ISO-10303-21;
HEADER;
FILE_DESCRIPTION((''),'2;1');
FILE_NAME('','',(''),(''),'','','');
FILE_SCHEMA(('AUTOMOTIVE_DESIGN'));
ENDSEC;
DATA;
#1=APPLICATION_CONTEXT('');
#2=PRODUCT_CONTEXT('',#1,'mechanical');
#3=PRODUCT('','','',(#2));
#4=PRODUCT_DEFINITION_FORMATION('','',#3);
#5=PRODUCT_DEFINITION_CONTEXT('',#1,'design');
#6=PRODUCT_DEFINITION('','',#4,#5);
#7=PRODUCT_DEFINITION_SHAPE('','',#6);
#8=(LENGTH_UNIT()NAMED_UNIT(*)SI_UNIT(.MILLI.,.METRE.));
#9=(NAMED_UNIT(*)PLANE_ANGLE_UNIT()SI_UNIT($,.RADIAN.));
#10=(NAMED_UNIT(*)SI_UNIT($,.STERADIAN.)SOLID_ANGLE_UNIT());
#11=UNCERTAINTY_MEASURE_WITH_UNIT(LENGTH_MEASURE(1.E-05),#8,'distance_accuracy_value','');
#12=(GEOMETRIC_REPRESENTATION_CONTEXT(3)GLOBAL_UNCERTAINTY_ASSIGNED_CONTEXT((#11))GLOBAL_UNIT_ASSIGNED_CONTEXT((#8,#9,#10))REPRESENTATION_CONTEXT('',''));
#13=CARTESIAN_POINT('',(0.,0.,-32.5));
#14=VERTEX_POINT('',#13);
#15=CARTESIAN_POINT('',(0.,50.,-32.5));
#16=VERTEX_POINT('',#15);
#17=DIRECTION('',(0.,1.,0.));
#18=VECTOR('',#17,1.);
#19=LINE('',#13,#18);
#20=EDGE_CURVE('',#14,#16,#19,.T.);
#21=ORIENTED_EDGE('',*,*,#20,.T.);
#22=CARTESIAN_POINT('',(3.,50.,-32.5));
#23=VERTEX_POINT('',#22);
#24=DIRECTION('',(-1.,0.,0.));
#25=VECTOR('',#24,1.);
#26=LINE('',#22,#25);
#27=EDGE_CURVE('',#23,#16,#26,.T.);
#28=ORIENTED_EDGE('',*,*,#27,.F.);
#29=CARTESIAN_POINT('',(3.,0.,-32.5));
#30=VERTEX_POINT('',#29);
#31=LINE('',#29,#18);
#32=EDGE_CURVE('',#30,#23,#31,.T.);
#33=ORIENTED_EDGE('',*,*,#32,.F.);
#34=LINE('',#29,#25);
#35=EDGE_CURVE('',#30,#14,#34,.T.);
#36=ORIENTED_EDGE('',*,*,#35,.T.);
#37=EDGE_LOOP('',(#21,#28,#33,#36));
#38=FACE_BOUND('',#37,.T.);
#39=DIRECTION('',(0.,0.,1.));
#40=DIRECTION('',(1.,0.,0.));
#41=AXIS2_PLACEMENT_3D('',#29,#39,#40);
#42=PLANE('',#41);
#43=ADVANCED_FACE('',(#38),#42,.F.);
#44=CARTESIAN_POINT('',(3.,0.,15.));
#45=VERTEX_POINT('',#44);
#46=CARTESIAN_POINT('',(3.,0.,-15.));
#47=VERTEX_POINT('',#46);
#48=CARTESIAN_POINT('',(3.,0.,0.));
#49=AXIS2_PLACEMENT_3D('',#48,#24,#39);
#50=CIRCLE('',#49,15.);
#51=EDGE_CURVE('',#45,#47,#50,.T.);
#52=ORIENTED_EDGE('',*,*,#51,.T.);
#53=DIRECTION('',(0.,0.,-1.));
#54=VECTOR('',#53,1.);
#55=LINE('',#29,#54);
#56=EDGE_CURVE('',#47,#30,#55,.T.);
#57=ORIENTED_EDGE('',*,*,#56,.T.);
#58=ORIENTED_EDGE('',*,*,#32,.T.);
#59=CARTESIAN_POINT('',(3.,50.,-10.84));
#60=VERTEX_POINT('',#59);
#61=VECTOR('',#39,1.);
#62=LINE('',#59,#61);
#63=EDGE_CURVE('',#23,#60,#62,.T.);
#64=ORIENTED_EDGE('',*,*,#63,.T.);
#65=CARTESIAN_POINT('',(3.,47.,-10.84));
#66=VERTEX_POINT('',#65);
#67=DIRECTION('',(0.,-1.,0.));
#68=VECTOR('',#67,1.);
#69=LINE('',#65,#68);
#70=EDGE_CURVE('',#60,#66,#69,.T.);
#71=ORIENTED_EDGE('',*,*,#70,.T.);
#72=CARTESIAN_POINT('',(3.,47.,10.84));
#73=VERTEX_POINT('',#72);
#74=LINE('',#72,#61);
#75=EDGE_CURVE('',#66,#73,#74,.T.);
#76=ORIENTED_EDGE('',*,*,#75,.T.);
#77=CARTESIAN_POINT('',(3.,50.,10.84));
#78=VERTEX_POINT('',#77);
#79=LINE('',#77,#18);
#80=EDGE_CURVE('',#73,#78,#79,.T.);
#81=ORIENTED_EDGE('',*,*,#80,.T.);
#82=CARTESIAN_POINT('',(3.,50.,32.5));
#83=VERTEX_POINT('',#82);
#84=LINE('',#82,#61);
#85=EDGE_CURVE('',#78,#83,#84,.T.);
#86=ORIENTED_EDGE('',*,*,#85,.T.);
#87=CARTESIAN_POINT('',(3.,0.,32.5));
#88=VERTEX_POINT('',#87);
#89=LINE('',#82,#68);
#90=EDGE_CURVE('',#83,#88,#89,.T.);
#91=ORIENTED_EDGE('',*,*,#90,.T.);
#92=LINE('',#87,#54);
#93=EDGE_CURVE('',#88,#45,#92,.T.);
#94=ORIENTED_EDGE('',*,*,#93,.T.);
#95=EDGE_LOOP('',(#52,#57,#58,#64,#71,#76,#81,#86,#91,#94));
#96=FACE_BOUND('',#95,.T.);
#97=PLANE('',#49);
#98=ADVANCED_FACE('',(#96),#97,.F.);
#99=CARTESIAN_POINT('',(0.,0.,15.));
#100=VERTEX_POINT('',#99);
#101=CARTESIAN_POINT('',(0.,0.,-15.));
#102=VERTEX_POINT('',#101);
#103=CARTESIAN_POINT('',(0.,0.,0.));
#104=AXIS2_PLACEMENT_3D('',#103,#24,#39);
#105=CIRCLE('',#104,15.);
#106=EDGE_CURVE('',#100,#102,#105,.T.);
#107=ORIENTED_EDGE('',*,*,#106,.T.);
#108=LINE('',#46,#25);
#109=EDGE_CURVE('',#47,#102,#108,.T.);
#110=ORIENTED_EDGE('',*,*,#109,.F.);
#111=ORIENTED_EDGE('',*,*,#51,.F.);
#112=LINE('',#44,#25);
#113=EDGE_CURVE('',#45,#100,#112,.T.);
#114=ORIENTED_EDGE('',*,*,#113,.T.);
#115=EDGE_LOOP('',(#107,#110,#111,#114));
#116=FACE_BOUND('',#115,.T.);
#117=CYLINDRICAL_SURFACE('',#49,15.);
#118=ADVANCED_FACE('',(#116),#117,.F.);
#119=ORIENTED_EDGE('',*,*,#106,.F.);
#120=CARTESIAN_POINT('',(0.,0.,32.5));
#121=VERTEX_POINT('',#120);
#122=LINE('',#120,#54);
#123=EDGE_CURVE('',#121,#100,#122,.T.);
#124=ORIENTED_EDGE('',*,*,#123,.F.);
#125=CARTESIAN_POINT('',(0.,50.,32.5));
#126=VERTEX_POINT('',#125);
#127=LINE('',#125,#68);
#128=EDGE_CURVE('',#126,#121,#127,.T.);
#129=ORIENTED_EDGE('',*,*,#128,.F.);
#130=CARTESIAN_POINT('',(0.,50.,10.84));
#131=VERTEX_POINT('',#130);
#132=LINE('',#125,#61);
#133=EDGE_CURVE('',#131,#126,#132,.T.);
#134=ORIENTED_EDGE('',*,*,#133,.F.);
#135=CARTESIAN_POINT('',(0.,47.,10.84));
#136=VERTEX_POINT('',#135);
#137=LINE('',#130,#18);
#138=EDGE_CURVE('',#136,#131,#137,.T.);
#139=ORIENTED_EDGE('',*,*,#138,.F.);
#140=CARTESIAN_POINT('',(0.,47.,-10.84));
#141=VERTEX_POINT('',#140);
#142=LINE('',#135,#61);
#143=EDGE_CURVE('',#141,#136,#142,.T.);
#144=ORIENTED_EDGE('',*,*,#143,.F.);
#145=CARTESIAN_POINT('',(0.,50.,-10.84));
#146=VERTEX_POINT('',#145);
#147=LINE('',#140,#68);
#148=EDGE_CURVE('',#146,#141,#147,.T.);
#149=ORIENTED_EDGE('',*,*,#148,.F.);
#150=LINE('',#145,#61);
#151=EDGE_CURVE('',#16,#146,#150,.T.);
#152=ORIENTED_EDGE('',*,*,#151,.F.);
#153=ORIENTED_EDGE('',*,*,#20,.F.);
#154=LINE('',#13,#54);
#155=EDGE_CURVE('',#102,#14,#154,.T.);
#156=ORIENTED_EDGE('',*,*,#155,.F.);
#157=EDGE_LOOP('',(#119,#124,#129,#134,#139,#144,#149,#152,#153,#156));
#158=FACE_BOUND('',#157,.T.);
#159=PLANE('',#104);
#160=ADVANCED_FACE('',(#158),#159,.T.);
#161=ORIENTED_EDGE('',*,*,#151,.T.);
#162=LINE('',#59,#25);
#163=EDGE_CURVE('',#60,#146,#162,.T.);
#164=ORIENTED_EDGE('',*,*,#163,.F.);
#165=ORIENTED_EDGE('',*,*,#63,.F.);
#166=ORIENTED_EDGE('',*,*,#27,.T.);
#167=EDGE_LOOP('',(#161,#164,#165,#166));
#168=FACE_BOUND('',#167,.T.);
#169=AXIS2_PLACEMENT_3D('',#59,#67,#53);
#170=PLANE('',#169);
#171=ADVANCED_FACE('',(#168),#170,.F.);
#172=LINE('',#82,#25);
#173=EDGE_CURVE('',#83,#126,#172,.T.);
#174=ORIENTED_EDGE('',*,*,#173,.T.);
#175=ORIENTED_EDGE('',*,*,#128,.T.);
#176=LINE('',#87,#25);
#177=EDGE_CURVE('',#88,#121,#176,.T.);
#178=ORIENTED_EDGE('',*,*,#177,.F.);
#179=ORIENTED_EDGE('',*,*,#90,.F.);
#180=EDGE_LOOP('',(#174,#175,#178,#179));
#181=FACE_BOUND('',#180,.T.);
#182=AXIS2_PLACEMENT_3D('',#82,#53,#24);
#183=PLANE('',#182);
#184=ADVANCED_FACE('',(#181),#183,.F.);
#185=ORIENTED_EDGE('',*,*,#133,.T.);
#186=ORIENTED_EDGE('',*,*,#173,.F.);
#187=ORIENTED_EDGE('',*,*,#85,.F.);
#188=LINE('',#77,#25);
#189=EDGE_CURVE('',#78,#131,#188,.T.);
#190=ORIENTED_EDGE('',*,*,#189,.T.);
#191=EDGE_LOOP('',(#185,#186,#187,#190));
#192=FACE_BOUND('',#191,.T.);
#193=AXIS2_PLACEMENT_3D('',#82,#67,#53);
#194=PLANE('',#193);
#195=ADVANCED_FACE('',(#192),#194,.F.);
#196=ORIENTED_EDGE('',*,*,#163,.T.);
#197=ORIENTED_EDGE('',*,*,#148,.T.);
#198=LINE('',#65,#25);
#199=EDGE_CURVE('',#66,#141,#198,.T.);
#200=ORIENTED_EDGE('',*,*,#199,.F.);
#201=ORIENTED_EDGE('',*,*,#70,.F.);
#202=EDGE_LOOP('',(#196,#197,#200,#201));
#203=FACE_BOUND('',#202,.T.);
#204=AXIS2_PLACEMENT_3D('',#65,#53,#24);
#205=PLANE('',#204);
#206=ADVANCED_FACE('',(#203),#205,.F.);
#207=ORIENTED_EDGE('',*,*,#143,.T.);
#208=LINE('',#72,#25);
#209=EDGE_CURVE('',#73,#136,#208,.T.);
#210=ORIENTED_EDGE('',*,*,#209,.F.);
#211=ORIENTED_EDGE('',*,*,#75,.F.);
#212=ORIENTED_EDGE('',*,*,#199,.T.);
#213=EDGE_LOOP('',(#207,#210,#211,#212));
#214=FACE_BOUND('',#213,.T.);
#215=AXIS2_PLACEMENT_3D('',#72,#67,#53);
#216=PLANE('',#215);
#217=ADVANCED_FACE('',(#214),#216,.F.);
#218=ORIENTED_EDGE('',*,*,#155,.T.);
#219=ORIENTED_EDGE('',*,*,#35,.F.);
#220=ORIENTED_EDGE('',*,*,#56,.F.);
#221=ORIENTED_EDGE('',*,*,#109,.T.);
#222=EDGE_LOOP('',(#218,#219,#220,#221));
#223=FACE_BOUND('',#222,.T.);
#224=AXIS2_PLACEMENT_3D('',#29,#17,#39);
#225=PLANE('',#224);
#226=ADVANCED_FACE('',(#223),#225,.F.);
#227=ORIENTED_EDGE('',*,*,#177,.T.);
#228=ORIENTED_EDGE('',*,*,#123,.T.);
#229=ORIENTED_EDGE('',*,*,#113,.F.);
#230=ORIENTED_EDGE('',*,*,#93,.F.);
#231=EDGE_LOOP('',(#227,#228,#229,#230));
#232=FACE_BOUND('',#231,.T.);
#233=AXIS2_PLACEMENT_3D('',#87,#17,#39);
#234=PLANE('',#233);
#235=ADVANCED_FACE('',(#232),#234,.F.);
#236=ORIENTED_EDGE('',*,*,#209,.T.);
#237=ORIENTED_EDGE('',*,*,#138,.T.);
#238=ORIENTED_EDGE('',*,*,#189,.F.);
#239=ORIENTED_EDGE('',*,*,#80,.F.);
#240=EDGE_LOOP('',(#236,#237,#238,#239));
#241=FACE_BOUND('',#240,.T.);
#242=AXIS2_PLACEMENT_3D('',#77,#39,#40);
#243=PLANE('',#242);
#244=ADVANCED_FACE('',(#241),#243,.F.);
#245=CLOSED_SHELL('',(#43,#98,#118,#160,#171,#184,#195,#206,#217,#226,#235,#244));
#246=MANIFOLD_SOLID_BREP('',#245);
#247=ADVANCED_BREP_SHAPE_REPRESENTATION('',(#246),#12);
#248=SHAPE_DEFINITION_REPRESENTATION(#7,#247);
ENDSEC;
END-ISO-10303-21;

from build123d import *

# Parameters (mm, degrees)
BOSS_EXTRUDE1_DEPTH = 3


with BuildPart() as part:
    # Sketch1 → Boss-Extrude1 (new body)
    with BuildSketch(Plane(origin=(0, 0, 0), x_dir=(0, 0, -1), z_dir=(1, 0, 0))):
        with BuildLine():
            Line((-32.5, 50), (-32.5, 0))
            Line((-32.5, 0), (-15, 0))
            ThreePointArc((-15, 0), (0, 15), (15, 0))
            Line((15, 0), (32.5, 0))
            Line((32.5, 0), (32.5, 50))
            Line((32.5, 50), (10.84, 50))
            Line((10.84, 50), (10.84, 47))
            Line((10.84, 47), (-10.84, 47))
            Line((-10.84, 47), (-10.84, 50))
            Line((-10.84, 50), (-32.5, 50))
        make_face()
    extrude(amount=BOSS_EXTRUDE1_DEPTH)


solid = part.part
